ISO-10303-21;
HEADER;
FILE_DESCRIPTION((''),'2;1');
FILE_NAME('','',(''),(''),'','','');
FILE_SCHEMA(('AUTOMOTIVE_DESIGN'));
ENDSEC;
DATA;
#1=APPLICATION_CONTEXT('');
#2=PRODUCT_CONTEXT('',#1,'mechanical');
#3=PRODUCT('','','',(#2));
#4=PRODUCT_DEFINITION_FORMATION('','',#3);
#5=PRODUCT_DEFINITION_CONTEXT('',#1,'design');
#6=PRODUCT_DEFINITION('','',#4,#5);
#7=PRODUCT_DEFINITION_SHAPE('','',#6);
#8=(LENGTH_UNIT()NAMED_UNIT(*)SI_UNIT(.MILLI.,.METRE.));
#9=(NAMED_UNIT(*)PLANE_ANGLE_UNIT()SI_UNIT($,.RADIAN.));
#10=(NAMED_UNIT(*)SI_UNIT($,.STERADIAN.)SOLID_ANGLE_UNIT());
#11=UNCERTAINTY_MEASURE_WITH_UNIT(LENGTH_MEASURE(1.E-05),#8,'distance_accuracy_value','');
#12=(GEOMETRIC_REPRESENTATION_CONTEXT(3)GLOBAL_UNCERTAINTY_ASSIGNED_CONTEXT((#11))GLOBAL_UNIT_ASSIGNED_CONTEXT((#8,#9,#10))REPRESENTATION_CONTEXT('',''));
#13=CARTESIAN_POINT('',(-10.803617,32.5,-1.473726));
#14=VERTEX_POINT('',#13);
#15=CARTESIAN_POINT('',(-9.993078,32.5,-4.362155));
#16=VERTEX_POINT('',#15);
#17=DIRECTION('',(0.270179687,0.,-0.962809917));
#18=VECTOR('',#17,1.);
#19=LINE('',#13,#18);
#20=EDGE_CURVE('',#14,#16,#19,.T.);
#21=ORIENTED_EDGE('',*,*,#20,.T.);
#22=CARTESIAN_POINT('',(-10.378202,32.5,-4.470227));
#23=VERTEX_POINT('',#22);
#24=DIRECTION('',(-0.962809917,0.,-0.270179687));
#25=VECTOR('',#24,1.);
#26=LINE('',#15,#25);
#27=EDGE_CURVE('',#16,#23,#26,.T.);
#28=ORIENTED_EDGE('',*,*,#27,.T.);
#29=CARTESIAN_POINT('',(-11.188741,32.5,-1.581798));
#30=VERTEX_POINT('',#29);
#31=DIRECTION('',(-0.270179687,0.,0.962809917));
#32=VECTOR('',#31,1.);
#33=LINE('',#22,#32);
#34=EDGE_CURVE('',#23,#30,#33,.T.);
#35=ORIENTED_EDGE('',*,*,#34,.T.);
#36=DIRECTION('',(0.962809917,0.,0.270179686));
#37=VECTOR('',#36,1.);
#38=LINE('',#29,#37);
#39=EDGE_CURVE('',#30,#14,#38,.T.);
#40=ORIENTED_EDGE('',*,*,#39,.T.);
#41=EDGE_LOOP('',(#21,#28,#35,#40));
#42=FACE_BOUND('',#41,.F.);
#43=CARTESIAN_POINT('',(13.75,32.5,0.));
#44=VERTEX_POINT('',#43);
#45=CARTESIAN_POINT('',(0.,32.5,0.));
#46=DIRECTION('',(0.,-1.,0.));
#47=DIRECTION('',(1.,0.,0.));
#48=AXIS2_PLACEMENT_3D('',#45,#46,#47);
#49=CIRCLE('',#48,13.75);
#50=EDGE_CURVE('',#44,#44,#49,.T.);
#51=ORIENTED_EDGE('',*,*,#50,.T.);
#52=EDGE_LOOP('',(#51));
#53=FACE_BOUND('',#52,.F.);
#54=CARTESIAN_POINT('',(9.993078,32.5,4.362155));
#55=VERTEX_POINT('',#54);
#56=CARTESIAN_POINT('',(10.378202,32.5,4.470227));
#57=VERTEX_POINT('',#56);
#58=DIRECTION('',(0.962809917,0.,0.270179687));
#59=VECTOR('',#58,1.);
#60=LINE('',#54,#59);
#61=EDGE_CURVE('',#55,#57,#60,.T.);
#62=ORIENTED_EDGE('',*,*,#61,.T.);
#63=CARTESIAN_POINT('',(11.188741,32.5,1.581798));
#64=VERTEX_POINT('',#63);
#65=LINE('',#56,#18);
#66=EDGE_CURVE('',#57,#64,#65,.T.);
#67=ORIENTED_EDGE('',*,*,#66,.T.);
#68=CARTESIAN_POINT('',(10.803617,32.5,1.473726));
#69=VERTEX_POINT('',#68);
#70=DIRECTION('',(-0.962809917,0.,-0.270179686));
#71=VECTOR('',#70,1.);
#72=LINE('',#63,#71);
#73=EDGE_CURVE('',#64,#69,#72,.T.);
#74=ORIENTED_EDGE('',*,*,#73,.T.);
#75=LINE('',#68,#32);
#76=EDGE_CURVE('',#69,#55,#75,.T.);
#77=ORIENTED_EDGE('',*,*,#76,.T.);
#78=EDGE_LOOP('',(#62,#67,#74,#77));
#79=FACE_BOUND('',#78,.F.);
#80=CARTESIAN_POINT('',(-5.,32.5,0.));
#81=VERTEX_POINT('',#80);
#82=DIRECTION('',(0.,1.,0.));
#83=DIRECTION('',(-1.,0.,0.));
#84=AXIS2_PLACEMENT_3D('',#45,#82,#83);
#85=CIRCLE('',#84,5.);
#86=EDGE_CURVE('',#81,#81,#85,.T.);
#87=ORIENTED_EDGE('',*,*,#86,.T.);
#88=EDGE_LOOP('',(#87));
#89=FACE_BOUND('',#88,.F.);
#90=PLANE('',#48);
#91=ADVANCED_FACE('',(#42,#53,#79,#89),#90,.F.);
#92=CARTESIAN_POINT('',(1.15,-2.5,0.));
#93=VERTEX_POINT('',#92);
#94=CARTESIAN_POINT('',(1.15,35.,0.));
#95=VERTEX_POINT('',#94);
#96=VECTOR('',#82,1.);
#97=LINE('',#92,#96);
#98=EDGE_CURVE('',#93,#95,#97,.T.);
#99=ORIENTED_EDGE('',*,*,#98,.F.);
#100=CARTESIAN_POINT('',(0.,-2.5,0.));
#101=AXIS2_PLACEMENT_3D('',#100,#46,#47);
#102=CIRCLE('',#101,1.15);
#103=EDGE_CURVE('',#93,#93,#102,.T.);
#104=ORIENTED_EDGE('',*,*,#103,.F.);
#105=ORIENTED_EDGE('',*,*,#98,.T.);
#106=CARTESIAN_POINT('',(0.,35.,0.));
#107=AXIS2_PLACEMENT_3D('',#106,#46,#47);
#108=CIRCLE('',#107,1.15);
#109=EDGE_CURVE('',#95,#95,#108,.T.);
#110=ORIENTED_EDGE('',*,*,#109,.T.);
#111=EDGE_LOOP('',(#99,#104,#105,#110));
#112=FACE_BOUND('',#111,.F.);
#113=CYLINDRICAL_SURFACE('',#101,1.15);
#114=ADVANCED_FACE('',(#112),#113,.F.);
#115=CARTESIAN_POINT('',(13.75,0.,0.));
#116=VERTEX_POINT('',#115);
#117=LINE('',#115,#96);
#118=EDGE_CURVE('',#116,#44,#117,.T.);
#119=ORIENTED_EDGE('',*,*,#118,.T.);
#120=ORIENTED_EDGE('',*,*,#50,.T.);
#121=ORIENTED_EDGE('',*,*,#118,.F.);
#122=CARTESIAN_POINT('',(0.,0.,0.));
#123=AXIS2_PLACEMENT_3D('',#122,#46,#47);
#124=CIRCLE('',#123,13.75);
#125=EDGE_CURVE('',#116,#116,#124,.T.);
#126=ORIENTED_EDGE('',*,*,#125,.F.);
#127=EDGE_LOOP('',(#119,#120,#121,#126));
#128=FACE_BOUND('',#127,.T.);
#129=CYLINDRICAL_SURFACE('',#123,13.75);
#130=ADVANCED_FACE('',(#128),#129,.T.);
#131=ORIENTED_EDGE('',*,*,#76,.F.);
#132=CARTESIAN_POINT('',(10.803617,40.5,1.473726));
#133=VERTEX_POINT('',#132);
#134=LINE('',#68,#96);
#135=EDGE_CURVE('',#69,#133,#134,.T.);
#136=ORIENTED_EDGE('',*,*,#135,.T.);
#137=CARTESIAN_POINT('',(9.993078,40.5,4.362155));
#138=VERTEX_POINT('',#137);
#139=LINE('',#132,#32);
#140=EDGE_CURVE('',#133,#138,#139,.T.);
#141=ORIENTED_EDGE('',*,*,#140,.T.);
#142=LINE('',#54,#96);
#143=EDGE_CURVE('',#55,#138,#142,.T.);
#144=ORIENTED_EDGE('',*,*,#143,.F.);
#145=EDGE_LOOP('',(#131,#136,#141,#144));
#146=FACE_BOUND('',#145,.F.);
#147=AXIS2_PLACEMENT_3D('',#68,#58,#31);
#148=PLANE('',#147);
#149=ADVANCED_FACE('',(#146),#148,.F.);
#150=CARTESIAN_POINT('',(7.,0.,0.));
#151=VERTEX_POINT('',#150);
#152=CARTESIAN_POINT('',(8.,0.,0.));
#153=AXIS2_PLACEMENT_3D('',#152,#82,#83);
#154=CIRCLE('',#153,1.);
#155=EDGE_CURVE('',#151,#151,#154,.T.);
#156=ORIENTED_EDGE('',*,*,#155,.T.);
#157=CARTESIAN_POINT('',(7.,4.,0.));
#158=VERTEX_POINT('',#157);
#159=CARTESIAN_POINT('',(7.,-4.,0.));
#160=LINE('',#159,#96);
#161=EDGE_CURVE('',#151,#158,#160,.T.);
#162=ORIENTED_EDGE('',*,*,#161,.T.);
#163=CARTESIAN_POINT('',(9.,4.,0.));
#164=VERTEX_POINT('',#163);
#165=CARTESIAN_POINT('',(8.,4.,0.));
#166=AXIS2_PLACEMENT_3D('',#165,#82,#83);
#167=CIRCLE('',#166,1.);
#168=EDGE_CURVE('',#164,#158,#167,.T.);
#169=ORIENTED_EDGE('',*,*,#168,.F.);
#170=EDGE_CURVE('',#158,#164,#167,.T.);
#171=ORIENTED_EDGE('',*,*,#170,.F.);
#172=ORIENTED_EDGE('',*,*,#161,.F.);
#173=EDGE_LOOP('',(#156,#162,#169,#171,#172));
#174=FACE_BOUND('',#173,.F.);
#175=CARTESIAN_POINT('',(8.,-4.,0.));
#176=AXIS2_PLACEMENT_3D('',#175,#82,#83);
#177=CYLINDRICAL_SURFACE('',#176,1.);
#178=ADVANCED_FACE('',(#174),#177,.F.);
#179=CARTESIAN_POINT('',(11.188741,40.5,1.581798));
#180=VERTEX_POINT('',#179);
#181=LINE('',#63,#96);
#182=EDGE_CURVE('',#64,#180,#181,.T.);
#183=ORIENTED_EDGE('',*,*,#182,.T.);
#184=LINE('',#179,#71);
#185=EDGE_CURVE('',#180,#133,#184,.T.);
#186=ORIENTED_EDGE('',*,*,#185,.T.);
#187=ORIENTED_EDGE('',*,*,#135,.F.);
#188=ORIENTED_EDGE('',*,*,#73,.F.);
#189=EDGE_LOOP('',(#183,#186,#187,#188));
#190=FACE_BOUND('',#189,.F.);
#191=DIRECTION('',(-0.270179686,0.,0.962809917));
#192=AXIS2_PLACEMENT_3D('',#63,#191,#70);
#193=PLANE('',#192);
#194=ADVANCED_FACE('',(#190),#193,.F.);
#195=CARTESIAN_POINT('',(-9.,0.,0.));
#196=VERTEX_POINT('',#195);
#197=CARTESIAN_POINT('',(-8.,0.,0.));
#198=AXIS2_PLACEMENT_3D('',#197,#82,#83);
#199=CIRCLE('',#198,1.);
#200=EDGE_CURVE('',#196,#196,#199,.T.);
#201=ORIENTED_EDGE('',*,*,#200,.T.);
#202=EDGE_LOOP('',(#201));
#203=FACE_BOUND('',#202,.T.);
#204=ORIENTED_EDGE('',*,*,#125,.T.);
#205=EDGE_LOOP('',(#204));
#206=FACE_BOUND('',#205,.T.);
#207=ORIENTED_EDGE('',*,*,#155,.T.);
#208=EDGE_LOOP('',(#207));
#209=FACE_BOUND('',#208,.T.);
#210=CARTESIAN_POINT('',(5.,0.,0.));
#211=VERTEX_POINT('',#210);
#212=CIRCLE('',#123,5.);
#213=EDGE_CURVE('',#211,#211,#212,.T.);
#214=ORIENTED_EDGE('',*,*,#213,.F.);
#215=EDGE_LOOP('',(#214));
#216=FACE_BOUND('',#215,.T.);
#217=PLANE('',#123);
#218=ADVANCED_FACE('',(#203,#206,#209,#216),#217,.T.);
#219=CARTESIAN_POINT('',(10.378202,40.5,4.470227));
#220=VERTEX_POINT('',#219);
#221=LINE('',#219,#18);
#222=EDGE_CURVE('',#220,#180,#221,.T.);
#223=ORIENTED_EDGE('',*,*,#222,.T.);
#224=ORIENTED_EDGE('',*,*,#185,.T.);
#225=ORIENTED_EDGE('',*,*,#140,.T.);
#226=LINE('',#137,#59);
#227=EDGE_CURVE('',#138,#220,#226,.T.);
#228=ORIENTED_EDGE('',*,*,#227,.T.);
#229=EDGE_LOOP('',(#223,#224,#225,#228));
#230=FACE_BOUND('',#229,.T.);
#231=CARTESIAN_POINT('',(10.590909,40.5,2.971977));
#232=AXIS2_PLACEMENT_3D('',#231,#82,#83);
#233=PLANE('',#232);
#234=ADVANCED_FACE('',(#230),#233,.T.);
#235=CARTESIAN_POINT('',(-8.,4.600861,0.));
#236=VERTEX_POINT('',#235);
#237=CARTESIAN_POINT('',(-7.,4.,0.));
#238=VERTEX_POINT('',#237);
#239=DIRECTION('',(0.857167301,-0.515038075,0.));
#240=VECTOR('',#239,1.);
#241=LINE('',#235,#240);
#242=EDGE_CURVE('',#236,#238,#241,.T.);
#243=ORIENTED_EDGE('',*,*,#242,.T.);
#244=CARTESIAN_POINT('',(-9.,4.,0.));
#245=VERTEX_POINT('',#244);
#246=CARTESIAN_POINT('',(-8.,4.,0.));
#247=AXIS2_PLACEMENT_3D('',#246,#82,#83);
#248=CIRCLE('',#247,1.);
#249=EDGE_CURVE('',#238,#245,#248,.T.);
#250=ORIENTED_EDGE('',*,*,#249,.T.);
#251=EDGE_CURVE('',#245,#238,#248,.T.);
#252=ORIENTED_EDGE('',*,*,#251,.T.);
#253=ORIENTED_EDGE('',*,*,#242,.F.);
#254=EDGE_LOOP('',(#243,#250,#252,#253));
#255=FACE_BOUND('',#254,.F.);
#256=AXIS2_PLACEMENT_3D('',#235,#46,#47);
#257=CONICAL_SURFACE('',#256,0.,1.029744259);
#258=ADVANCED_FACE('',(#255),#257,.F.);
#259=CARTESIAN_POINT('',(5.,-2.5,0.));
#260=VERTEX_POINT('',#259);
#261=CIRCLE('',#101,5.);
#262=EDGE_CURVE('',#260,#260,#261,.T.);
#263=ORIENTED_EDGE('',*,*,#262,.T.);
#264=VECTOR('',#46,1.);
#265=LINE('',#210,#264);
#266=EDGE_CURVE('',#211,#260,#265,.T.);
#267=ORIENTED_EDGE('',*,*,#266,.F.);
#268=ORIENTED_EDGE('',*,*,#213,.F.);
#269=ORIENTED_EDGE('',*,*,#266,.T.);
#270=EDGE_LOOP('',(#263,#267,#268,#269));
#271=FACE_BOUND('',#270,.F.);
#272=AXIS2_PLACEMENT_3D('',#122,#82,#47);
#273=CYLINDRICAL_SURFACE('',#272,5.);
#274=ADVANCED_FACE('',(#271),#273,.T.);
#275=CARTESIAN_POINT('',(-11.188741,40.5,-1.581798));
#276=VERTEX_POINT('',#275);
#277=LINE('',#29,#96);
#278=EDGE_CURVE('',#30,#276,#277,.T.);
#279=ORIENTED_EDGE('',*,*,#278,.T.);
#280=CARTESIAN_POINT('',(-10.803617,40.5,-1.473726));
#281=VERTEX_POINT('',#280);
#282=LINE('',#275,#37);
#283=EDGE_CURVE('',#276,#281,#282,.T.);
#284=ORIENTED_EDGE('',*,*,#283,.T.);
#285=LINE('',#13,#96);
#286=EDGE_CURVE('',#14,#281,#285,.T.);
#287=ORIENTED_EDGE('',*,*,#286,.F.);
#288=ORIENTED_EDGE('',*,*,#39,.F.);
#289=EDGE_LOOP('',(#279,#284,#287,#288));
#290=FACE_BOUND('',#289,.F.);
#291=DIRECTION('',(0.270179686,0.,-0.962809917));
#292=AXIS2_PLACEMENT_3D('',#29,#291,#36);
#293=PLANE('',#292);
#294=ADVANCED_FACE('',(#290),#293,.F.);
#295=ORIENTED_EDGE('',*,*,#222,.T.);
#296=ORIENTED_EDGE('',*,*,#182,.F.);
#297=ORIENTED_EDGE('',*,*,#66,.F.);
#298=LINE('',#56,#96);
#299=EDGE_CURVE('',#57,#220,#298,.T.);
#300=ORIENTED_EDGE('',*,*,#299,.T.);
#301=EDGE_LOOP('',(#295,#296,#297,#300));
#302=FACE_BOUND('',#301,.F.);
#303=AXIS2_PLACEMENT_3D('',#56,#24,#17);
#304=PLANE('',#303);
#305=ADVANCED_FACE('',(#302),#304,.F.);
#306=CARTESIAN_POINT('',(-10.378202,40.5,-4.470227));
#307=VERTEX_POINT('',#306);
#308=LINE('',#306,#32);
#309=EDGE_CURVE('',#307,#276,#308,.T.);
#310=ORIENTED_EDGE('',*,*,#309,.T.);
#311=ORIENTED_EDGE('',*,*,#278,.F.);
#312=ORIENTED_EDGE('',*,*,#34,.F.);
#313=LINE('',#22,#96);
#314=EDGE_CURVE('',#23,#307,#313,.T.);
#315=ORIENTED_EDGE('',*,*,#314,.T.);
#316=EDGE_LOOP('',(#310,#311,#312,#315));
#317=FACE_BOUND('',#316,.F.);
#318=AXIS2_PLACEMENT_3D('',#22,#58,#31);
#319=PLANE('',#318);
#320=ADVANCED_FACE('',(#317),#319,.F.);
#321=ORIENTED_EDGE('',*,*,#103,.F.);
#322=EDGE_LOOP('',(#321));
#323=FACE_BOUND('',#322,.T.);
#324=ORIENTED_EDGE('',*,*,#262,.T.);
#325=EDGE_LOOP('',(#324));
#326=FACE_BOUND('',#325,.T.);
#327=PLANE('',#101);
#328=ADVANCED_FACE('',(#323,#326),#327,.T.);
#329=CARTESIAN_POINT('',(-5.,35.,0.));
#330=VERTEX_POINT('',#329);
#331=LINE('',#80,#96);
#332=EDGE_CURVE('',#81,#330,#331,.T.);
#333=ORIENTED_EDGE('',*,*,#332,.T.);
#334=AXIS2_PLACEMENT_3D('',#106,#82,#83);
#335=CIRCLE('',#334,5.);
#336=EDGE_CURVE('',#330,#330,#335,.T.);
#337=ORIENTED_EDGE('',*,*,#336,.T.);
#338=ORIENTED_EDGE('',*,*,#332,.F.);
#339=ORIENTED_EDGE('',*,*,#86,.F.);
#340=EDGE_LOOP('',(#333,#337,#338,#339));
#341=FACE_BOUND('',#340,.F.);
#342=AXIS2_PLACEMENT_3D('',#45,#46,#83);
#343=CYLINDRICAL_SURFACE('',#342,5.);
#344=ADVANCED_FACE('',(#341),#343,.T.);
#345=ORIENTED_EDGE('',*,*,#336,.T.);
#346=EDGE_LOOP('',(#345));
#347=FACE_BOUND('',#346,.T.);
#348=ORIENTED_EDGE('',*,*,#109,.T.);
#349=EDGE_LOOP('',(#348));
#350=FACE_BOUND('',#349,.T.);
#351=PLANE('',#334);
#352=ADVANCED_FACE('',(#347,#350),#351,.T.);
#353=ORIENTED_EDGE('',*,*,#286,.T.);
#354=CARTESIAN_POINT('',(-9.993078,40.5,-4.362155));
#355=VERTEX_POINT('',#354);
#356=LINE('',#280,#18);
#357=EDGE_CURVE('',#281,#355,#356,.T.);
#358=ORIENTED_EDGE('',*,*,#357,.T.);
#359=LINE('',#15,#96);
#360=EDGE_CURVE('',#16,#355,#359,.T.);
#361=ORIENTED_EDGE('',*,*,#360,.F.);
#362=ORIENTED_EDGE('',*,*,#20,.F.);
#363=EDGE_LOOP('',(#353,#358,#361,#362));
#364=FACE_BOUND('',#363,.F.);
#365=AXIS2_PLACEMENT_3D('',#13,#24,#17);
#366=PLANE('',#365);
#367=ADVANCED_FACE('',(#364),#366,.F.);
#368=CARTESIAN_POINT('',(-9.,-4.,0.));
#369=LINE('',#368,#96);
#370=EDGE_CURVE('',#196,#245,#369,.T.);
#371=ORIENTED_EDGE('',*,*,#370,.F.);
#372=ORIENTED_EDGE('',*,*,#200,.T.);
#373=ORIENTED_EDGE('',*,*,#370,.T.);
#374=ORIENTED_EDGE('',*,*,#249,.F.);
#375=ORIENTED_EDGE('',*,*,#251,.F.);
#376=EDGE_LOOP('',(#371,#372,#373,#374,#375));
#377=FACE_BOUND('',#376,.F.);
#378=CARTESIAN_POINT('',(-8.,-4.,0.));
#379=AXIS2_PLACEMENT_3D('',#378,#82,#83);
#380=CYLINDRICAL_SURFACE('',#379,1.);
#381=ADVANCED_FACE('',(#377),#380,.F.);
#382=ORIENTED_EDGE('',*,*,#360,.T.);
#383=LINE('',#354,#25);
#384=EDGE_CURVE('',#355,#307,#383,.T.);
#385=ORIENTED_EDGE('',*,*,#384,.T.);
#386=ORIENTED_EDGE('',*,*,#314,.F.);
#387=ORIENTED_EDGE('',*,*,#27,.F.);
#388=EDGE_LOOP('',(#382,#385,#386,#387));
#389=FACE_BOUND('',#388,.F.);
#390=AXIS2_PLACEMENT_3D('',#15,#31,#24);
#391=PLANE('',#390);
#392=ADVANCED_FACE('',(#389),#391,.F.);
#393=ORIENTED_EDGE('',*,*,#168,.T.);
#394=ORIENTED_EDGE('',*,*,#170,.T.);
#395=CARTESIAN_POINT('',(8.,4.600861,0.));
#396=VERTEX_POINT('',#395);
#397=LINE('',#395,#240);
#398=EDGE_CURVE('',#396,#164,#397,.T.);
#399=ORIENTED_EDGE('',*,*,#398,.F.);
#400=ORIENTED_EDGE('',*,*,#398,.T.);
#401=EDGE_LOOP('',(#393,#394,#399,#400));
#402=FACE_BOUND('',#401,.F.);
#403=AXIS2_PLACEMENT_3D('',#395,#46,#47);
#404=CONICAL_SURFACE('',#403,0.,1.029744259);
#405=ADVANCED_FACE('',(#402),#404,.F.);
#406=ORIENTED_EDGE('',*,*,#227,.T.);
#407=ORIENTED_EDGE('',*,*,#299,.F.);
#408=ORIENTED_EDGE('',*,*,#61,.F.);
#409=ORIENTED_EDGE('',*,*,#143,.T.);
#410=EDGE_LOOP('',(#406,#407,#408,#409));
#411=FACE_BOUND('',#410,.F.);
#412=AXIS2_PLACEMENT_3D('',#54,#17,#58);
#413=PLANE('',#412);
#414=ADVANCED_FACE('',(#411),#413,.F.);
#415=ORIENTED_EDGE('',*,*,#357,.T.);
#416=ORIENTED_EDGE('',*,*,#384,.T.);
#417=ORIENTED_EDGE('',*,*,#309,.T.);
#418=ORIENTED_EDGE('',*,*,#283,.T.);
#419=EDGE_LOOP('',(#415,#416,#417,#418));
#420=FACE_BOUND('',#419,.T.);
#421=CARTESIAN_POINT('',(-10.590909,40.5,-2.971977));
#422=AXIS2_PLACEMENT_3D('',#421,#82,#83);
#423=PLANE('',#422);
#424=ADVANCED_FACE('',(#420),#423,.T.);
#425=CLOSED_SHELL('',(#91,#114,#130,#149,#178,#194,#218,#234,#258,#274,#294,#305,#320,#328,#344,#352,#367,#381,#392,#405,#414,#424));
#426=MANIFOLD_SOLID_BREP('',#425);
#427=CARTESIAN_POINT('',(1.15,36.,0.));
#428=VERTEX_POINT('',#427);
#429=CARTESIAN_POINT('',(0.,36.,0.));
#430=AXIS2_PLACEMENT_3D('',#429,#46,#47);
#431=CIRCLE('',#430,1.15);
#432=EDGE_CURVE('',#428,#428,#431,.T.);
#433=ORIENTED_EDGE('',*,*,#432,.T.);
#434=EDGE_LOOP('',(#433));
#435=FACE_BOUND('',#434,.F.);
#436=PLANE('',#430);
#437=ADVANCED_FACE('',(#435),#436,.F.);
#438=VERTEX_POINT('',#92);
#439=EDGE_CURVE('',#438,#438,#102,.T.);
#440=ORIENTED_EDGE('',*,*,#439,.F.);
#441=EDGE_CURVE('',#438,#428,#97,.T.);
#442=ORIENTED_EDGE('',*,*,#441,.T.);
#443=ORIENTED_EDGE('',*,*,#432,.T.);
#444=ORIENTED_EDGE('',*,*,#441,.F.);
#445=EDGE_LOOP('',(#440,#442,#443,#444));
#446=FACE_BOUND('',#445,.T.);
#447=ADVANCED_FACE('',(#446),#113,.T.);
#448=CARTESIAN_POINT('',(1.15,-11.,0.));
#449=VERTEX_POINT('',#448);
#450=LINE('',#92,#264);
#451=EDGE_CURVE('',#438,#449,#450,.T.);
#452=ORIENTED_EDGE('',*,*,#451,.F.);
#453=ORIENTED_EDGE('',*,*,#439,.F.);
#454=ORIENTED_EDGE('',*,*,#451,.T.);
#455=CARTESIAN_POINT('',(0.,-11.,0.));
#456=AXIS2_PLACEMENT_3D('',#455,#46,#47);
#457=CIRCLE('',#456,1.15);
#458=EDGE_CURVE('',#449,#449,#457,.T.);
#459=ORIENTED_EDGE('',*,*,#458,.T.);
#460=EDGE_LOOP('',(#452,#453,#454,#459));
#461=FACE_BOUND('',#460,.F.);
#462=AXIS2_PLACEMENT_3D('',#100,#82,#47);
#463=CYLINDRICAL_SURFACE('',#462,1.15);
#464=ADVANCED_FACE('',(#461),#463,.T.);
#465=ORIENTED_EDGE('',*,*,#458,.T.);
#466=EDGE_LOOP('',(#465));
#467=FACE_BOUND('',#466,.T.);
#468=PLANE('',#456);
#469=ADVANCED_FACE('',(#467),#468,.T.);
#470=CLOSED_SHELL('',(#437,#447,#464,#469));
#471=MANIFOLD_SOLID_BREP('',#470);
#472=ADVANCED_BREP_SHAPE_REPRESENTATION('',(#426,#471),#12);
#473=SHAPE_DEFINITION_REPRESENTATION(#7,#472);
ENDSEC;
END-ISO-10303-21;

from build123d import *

# Parameters (mm, degrees)
F0_R      = 13.75
F1_DEPTH  = 32.5
F2_R      = 5
F3_DEPTH  = 2.5
F4_R      = 5
F5_DEPTH  = 2.5
F7_D      = 2
F7_DEPTH  = 4
F7_TIP    = 0.600860619
F9_DEPTH  = 8
F10_R     = 1.15
F11_DEPTH = 43.001
F12_R     = 1.15
F13_DEPTH = 38.5
F14_R     = 1.15
F15_DEPTH = 8.5


with BuildPart() as f1:
    # F0 (on Front) → F1 (new body)
    with BuildSketch(Plane.XZ):
        Circle(F0_R)
    extrude(amount=-F1_DEPTH)

    # F2 (on face) → F3 (join)
    with BuildSketch(Plane.XZ):
        Circle(F2_R)
    extrude(amount=F3_DEPTH)

    # F4 (on face) → F5 (join)
    with BuildSketch(Plane(origin=(0, 32.5, 0), x_dir=(-1, 0, 0), z_dir=(0, 1, 0))):
        Circle(F4_R)
    extrude(amount=F5_DEPTH)

    # F7
    with Locations(Plane.XZ):
        with Locations((-8, 0), (8, 0)):
            Hole(F7_D / 2, depth=F7_DEPTH)
            with Locations((0, 0, -(F7_DEPTH + F7_TIP / 2))):  # 118° drill point
                Cone(0, F7_D / 2, F7_TIP, mode=Mode.SUBTRACT)

    # F8 (on face) → F9 (join)
    with BuildSketch(Plane(origin=(0, 32.5, 0), x_dir=(-1, 0, 0), z_dir=(0, 1, 0))):
        Polygon((11.1887406043, -1.5817976137), (10.9961786208, -1.5277616764), (10.8036166373, -1.4737257391), (9.9930775776, -4.3621554911), (10.3782015445, -4.4702273658), align=None)
        Polygon((-10.8036166373, 1.4737257391), (-9.9930775776, 4.3621554911), (-10.3782015445, 4.4702273658), (-11.1887406043, 1.5817976137), (-10.9961786208, 1.5277616764), align=None)
    extrude(amount=F9_DEPTH)

    # F10 (on face) → F11 (cut, through all)
    with BuildSketch(Plane.XZ.offset(2.5)):
        Circle(F10_R)
    extrude(amount=-F11_DEPTH, mode=Mode.SUBTRACT)


with BuildPart() as f13:
    # F12 (on face) → F13 (new body)
    with BuildSketch(Plane.XZ.offset(2.5)):
        Circle(F12_R)
    extrude(amount=-F13_DEPTH)

    # F14 (on face) → F15 (join)
    with BuildSketch(Plane.XZ.offset(2.5)):
        Circle(F14_R)
    extrude(amount=F15_DEPTH)


solid = Compound([f1.part, f13.part])
